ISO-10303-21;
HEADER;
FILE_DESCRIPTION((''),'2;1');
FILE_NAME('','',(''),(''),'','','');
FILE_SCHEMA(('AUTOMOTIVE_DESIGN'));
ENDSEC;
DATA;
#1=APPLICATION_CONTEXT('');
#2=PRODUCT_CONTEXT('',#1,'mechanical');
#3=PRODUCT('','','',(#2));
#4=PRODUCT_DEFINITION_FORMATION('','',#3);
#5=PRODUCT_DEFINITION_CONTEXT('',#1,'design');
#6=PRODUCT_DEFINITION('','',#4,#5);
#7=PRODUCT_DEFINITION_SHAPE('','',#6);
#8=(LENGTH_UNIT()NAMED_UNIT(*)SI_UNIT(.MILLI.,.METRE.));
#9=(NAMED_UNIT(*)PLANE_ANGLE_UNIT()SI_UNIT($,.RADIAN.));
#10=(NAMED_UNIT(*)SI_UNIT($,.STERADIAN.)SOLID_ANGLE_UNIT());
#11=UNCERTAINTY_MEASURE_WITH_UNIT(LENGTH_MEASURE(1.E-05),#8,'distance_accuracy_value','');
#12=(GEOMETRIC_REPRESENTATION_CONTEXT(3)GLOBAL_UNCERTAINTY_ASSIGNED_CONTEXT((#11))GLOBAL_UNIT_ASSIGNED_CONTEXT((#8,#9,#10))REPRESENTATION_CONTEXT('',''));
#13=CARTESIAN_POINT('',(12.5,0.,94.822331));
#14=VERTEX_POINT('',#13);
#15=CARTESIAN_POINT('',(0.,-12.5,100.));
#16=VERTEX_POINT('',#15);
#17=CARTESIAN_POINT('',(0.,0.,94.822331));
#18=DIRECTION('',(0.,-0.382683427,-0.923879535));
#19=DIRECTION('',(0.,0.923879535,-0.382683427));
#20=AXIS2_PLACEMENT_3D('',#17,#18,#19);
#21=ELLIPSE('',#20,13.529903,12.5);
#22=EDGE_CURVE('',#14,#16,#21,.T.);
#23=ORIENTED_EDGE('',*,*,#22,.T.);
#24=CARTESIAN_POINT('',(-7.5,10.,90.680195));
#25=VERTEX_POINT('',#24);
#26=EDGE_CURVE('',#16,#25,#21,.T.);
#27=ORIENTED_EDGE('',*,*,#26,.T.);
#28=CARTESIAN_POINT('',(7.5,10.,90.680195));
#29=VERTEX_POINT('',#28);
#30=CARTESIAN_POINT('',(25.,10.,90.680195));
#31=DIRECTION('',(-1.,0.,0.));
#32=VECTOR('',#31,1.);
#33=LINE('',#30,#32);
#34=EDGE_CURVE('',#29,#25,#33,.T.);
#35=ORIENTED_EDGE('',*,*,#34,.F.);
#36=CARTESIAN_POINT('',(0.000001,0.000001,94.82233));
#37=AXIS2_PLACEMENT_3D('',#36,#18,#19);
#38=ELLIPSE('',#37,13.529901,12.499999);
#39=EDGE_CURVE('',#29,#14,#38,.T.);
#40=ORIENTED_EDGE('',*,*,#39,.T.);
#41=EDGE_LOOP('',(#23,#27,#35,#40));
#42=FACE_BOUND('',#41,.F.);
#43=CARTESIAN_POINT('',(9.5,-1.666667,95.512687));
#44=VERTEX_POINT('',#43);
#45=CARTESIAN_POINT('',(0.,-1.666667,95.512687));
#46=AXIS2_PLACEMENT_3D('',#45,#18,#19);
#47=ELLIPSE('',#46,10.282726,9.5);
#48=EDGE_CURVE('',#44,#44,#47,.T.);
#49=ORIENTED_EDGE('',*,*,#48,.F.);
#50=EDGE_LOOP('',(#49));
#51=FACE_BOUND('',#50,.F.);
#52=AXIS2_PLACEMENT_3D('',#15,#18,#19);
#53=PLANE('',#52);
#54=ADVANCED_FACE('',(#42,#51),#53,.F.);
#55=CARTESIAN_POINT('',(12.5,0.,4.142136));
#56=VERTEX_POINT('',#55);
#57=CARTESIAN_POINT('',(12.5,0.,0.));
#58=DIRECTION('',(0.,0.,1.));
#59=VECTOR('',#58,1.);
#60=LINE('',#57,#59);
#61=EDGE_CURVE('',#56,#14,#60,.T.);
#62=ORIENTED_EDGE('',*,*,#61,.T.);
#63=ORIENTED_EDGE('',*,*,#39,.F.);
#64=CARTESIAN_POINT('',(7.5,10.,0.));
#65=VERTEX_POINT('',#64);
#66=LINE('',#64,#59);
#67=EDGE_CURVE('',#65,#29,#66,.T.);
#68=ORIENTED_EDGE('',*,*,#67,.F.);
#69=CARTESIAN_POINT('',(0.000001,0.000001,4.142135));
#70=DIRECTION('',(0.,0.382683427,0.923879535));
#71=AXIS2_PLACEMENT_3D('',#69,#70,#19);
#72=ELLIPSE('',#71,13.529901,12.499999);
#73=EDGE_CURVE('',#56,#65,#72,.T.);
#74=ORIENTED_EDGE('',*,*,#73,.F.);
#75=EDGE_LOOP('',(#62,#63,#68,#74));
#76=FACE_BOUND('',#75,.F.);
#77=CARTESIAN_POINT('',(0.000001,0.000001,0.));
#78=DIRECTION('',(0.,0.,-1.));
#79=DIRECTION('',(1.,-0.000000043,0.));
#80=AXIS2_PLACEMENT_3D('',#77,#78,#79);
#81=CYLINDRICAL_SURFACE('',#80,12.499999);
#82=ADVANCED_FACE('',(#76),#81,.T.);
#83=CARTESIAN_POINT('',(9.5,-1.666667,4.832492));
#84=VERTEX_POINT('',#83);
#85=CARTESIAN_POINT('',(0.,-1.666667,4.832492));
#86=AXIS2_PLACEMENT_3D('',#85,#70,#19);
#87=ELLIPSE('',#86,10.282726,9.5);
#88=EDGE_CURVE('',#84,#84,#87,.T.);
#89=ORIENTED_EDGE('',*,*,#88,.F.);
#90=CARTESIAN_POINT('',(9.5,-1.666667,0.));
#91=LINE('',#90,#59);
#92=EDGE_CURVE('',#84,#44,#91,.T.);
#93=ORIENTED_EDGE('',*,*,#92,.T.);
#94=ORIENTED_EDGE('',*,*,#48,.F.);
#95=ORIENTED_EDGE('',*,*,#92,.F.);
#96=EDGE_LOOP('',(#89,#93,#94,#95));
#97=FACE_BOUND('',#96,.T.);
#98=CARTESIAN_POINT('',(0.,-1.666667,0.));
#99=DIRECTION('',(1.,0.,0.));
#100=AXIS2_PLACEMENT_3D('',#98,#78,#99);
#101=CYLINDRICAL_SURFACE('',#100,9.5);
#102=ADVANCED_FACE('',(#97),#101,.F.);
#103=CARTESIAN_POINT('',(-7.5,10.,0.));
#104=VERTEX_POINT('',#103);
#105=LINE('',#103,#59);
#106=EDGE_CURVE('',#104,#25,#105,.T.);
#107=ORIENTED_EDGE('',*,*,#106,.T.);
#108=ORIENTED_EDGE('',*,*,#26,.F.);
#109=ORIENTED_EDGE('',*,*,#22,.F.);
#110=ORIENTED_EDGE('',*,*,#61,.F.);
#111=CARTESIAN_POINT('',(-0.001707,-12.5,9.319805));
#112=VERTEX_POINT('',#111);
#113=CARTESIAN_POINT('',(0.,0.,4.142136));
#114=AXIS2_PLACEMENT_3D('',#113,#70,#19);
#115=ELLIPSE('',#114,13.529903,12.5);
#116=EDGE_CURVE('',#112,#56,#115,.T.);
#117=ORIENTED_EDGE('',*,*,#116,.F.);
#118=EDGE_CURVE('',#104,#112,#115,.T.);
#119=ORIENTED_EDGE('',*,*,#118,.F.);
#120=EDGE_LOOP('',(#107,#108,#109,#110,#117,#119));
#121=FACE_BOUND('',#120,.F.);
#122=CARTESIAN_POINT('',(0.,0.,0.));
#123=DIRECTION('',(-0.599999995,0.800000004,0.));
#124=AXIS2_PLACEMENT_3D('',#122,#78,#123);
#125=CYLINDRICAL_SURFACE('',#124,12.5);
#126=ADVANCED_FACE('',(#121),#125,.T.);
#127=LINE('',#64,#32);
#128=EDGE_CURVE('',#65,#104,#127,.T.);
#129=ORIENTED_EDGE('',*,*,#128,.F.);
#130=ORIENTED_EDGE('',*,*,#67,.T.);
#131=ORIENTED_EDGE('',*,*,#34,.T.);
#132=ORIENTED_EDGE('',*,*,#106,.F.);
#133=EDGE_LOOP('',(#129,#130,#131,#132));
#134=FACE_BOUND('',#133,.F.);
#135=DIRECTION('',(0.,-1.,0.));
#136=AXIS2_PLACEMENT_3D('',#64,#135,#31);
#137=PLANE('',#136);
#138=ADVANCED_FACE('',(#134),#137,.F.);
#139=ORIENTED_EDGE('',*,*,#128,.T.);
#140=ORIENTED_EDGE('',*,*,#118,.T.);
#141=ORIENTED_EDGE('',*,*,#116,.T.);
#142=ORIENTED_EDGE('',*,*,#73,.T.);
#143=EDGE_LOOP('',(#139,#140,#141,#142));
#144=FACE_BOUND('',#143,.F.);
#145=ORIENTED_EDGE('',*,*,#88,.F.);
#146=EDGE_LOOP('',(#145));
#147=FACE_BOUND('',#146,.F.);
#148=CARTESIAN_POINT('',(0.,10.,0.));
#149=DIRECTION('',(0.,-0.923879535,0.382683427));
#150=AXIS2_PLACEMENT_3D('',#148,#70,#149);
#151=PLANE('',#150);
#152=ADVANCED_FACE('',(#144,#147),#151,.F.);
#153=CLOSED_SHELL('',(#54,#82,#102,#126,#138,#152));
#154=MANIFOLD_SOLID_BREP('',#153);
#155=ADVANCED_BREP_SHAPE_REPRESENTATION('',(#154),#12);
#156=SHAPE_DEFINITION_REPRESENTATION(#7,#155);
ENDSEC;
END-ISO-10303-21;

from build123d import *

# Parameters (mm, degrees)
F0_R          = 9.5
F1_DEPTH      = 100
F3_DEPTH      = 25
F3_DEPTH_BACK = 25


with BuildPart() as f1:
    # F0 (on Top) → F1 (new body)
    with BuildSketch(Plane.XY):
        with BuildLine():
            ThreePointArc((-7.5, 10), (-5.59017, -11.18034), (12.5, 0))
            ThreePointArc((12.5, 0), (11.18034, 5.59017), (7.5, 10))
            Line((7.5, 10), (-7.5, 10))
        make_face()
        with Locations((0, -1.666667)):
            Circle(F0_R, mode=Mode.SUBTRACT)
    extrude(amount=F1_DEPTH)


with BuildPart() as f3:
    # F2 (on Right) → F3 (new body, two sides)
    with BuildSketch(Plane.YZ) as f3_sk:
        Polygon((10, 100), (-12.5, 100), (10, 90.680195), align=None)
        Polygon((-12.5, 9.319805), (-12.5, 0), (10, 0), align=None)
    extrude(amount=F3_DEPTH)
    extrude(f3_sk.sketch, amount=-F3_DEPTH_BACK)


with BuildPart() as f1_1:
    add(f1.part)

    # F4: cut F3
    add(f3.part, mode=Mode.SUBTRACT)


solid = f1_1.part
